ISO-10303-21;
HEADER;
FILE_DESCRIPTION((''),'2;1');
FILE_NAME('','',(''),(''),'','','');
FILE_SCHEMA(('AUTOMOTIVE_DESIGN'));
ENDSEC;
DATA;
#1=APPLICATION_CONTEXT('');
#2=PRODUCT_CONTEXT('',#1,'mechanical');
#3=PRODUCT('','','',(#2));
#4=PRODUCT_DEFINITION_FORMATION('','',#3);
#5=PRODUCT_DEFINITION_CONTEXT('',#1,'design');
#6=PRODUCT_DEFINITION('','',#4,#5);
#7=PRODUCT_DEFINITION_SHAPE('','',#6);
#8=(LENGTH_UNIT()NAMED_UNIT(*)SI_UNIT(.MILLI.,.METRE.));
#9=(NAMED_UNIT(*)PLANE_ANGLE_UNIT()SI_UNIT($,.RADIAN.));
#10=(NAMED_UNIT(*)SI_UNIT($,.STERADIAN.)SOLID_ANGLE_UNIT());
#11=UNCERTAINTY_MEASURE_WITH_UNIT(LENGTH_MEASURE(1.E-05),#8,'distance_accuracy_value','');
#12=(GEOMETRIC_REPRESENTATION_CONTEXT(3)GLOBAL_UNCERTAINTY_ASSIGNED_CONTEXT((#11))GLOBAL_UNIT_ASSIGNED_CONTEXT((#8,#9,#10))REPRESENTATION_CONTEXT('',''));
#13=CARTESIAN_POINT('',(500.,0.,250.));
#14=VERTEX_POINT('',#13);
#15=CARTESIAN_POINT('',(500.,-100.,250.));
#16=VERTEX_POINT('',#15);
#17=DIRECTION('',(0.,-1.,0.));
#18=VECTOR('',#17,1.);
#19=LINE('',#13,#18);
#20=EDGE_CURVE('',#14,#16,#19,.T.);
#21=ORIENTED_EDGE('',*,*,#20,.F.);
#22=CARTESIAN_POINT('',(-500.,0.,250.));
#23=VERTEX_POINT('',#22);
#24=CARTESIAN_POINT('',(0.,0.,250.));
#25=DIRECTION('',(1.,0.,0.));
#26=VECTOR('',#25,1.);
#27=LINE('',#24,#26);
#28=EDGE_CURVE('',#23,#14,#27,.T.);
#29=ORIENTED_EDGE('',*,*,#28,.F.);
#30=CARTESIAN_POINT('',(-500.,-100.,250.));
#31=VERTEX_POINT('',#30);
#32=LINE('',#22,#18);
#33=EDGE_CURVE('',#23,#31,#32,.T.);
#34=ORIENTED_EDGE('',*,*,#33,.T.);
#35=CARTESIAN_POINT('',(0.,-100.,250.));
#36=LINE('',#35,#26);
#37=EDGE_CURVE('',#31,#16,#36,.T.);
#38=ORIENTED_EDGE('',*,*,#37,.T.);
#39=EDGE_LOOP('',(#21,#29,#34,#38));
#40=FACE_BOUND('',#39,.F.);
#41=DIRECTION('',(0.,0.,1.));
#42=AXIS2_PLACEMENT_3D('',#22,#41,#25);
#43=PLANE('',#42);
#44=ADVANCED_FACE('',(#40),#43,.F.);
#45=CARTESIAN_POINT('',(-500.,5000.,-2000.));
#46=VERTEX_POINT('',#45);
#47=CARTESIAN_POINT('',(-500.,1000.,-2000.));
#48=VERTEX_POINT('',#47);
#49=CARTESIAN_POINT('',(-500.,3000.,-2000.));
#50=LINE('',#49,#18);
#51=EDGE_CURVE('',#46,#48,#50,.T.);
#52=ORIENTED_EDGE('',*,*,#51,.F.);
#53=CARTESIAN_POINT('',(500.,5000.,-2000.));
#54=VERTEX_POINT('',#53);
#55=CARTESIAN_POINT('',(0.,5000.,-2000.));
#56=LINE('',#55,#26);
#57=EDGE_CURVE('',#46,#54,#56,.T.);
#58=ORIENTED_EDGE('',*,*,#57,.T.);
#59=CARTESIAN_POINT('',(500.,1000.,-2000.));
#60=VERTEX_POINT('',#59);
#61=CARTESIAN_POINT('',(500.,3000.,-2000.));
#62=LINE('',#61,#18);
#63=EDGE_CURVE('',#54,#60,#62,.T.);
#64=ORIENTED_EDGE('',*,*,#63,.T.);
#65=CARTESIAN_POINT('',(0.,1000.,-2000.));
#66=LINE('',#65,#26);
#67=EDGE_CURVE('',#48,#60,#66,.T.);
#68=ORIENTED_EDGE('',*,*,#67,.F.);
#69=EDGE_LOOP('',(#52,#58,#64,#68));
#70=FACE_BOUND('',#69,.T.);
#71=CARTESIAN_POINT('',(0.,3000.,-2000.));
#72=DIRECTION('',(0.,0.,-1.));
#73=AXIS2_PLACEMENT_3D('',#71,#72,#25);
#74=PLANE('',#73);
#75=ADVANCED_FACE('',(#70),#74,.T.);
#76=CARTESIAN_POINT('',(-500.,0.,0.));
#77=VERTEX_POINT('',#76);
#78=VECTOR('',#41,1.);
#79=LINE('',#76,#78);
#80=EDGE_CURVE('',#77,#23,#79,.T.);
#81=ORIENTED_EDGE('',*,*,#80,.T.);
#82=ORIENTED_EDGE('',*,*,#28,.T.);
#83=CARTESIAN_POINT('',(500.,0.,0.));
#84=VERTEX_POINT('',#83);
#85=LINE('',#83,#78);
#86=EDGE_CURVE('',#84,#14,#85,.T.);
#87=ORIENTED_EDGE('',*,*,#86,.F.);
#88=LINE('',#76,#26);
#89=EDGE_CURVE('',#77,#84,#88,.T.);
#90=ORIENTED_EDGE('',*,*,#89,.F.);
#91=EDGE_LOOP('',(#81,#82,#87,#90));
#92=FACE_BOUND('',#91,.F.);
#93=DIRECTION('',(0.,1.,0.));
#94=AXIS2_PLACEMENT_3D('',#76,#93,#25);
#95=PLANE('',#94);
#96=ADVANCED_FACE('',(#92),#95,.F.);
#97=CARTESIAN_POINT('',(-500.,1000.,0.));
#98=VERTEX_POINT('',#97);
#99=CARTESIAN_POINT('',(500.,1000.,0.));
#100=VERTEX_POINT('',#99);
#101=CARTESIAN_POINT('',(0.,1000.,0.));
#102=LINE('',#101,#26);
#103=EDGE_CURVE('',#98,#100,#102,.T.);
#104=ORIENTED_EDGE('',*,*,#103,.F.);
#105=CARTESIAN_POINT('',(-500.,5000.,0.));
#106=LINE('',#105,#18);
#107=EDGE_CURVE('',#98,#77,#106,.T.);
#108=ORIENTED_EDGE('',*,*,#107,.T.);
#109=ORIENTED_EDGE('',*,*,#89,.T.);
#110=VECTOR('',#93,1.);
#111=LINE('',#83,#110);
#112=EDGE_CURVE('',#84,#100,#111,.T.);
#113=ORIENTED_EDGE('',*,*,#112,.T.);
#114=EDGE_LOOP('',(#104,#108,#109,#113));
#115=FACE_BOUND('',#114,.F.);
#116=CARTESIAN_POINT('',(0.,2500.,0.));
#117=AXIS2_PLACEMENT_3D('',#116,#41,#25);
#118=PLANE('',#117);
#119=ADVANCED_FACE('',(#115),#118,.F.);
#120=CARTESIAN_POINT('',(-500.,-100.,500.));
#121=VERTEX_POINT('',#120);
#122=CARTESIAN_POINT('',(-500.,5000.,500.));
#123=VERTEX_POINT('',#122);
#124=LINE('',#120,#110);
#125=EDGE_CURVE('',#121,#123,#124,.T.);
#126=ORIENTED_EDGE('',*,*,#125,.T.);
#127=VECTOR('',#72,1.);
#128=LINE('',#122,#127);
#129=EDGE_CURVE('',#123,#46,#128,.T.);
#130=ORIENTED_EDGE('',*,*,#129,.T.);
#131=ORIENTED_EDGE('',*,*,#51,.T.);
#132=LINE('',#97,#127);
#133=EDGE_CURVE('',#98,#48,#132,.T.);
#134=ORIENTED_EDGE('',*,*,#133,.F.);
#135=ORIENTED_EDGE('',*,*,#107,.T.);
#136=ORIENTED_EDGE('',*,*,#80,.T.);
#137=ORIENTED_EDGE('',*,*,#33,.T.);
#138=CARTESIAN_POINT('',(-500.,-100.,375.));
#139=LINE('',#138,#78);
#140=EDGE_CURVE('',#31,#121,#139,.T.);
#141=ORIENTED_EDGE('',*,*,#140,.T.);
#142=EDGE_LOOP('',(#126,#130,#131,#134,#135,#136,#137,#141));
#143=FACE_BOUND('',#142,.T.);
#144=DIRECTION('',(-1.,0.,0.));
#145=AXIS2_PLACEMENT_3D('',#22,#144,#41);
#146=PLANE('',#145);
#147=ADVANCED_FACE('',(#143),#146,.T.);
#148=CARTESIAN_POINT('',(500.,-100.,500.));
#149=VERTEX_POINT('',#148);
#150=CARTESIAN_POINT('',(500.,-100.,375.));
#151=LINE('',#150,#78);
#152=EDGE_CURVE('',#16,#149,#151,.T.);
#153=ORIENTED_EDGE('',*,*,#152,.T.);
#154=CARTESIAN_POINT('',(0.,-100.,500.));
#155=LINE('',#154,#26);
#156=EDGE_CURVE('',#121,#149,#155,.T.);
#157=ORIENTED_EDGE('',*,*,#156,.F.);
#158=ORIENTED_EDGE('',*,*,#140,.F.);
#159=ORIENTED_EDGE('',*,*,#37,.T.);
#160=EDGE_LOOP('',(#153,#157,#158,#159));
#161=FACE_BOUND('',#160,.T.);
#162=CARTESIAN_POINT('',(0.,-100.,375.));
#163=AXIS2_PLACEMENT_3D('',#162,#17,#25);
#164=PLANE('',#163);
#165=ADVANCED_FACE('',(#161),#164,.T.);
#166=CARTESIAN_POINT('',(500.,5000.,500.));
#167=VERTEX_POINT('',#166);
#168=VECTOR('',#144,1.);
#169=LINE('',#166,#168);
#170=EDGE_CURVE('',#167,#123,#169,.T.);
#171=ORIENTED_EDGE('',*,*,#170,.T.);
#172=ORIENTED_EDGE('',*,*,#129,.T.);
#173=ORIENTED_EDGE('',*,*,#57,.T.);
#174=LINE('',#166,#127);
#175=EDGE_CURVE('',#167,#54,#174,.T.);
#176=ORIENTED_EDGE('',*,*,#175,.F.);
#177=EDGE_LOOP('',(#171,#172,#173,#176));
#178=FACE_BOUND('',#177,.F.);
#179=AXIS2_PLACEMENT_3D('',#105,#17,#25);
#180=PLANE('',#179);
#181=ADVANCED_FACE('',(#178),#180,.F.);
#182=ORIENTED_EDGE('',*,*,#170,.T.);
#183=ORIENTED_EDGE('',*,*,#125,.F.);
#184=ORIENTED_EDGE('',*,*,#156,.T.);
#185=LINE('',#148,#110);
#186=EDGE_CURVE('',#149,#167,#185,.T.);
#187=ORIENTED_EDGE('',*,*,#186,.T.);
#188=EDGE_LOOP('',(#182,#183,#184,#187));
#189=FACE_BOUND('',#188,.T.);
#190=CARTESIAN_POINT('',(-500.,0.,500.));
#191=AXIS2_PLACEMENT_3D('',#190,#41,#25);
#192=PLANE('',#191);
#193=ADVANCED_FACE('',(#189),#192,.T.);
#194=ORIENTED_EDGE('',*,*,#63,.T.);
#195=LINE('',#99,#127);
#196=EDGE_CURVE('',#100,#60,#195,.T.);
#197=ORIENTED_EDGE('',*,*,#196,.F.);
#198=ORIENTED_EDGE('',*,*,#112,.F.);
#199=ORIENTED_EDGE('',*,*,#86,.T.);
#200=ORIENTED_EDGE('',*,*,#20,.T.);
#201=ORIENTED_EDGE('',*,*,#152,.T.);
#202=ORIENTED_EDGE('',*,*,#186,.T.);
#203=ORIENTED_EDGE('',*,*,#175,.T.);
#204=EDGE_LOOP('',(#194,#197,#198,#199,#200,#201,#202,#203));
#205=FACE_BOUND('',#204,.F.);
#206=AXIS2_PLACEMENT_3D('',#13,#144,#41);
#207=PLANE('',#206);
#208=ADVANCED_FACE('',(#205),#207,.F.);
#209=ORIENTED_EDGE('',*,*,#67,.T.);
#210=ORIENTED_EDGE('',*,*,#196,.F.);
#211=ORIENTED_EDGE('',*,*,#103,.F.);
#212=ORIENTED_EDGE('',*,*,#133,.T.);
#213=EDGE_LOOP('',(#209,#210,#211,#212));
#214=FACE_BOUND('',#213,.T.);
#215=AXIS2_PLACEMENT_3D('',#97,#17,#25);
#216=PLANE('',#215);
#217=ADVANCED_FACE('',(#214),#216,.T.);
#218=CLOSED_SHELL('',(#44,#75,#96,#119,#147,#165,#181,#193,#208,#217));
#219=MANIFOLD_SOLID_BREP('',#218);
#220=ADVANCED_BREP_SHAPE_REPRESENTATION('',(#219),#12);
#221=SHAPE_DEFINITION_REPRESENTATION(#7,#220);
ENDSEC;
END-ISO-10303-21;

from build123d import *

# Parameters (mm, degrees)
F1_DEPTH = 500
F2_W     = 1000
F2_H     = 4000
F3_DEPTH = 2000
F4_W     = 1000
F4_H     = 250
F5_DEPTH = 100


with BuildPart() as f1:
    # F0 (on Top) → F1 (new body)
    with BuildSketch(Plane.XY):
        Polygon((-500, 0), (0, 0), (500, 0), (500, 5000), (0, 5000), (-500, 5000), align=None)
    extrude(amount=F1_DEPTH)

    # F2 (on face) → F3 (join)
    with BuildSketch(Plane(origin=(0, 0, 0), x_dir=(1, 0, 0), z_dir=(0, 0, -1))):
        with Locations((0, -3000)):
            Rectangle(F2_W, F2_H)
    extrude(amount=F3_DEPTH)

    # F4 (on face) → F5 (join)
    with BuildSketch(Plane.XZ):
        with Locations((0, 375)):
            Rectangle(F4_W, F4_H)
    extrude(amount=F5_DEPTH)


solid = f1.part
